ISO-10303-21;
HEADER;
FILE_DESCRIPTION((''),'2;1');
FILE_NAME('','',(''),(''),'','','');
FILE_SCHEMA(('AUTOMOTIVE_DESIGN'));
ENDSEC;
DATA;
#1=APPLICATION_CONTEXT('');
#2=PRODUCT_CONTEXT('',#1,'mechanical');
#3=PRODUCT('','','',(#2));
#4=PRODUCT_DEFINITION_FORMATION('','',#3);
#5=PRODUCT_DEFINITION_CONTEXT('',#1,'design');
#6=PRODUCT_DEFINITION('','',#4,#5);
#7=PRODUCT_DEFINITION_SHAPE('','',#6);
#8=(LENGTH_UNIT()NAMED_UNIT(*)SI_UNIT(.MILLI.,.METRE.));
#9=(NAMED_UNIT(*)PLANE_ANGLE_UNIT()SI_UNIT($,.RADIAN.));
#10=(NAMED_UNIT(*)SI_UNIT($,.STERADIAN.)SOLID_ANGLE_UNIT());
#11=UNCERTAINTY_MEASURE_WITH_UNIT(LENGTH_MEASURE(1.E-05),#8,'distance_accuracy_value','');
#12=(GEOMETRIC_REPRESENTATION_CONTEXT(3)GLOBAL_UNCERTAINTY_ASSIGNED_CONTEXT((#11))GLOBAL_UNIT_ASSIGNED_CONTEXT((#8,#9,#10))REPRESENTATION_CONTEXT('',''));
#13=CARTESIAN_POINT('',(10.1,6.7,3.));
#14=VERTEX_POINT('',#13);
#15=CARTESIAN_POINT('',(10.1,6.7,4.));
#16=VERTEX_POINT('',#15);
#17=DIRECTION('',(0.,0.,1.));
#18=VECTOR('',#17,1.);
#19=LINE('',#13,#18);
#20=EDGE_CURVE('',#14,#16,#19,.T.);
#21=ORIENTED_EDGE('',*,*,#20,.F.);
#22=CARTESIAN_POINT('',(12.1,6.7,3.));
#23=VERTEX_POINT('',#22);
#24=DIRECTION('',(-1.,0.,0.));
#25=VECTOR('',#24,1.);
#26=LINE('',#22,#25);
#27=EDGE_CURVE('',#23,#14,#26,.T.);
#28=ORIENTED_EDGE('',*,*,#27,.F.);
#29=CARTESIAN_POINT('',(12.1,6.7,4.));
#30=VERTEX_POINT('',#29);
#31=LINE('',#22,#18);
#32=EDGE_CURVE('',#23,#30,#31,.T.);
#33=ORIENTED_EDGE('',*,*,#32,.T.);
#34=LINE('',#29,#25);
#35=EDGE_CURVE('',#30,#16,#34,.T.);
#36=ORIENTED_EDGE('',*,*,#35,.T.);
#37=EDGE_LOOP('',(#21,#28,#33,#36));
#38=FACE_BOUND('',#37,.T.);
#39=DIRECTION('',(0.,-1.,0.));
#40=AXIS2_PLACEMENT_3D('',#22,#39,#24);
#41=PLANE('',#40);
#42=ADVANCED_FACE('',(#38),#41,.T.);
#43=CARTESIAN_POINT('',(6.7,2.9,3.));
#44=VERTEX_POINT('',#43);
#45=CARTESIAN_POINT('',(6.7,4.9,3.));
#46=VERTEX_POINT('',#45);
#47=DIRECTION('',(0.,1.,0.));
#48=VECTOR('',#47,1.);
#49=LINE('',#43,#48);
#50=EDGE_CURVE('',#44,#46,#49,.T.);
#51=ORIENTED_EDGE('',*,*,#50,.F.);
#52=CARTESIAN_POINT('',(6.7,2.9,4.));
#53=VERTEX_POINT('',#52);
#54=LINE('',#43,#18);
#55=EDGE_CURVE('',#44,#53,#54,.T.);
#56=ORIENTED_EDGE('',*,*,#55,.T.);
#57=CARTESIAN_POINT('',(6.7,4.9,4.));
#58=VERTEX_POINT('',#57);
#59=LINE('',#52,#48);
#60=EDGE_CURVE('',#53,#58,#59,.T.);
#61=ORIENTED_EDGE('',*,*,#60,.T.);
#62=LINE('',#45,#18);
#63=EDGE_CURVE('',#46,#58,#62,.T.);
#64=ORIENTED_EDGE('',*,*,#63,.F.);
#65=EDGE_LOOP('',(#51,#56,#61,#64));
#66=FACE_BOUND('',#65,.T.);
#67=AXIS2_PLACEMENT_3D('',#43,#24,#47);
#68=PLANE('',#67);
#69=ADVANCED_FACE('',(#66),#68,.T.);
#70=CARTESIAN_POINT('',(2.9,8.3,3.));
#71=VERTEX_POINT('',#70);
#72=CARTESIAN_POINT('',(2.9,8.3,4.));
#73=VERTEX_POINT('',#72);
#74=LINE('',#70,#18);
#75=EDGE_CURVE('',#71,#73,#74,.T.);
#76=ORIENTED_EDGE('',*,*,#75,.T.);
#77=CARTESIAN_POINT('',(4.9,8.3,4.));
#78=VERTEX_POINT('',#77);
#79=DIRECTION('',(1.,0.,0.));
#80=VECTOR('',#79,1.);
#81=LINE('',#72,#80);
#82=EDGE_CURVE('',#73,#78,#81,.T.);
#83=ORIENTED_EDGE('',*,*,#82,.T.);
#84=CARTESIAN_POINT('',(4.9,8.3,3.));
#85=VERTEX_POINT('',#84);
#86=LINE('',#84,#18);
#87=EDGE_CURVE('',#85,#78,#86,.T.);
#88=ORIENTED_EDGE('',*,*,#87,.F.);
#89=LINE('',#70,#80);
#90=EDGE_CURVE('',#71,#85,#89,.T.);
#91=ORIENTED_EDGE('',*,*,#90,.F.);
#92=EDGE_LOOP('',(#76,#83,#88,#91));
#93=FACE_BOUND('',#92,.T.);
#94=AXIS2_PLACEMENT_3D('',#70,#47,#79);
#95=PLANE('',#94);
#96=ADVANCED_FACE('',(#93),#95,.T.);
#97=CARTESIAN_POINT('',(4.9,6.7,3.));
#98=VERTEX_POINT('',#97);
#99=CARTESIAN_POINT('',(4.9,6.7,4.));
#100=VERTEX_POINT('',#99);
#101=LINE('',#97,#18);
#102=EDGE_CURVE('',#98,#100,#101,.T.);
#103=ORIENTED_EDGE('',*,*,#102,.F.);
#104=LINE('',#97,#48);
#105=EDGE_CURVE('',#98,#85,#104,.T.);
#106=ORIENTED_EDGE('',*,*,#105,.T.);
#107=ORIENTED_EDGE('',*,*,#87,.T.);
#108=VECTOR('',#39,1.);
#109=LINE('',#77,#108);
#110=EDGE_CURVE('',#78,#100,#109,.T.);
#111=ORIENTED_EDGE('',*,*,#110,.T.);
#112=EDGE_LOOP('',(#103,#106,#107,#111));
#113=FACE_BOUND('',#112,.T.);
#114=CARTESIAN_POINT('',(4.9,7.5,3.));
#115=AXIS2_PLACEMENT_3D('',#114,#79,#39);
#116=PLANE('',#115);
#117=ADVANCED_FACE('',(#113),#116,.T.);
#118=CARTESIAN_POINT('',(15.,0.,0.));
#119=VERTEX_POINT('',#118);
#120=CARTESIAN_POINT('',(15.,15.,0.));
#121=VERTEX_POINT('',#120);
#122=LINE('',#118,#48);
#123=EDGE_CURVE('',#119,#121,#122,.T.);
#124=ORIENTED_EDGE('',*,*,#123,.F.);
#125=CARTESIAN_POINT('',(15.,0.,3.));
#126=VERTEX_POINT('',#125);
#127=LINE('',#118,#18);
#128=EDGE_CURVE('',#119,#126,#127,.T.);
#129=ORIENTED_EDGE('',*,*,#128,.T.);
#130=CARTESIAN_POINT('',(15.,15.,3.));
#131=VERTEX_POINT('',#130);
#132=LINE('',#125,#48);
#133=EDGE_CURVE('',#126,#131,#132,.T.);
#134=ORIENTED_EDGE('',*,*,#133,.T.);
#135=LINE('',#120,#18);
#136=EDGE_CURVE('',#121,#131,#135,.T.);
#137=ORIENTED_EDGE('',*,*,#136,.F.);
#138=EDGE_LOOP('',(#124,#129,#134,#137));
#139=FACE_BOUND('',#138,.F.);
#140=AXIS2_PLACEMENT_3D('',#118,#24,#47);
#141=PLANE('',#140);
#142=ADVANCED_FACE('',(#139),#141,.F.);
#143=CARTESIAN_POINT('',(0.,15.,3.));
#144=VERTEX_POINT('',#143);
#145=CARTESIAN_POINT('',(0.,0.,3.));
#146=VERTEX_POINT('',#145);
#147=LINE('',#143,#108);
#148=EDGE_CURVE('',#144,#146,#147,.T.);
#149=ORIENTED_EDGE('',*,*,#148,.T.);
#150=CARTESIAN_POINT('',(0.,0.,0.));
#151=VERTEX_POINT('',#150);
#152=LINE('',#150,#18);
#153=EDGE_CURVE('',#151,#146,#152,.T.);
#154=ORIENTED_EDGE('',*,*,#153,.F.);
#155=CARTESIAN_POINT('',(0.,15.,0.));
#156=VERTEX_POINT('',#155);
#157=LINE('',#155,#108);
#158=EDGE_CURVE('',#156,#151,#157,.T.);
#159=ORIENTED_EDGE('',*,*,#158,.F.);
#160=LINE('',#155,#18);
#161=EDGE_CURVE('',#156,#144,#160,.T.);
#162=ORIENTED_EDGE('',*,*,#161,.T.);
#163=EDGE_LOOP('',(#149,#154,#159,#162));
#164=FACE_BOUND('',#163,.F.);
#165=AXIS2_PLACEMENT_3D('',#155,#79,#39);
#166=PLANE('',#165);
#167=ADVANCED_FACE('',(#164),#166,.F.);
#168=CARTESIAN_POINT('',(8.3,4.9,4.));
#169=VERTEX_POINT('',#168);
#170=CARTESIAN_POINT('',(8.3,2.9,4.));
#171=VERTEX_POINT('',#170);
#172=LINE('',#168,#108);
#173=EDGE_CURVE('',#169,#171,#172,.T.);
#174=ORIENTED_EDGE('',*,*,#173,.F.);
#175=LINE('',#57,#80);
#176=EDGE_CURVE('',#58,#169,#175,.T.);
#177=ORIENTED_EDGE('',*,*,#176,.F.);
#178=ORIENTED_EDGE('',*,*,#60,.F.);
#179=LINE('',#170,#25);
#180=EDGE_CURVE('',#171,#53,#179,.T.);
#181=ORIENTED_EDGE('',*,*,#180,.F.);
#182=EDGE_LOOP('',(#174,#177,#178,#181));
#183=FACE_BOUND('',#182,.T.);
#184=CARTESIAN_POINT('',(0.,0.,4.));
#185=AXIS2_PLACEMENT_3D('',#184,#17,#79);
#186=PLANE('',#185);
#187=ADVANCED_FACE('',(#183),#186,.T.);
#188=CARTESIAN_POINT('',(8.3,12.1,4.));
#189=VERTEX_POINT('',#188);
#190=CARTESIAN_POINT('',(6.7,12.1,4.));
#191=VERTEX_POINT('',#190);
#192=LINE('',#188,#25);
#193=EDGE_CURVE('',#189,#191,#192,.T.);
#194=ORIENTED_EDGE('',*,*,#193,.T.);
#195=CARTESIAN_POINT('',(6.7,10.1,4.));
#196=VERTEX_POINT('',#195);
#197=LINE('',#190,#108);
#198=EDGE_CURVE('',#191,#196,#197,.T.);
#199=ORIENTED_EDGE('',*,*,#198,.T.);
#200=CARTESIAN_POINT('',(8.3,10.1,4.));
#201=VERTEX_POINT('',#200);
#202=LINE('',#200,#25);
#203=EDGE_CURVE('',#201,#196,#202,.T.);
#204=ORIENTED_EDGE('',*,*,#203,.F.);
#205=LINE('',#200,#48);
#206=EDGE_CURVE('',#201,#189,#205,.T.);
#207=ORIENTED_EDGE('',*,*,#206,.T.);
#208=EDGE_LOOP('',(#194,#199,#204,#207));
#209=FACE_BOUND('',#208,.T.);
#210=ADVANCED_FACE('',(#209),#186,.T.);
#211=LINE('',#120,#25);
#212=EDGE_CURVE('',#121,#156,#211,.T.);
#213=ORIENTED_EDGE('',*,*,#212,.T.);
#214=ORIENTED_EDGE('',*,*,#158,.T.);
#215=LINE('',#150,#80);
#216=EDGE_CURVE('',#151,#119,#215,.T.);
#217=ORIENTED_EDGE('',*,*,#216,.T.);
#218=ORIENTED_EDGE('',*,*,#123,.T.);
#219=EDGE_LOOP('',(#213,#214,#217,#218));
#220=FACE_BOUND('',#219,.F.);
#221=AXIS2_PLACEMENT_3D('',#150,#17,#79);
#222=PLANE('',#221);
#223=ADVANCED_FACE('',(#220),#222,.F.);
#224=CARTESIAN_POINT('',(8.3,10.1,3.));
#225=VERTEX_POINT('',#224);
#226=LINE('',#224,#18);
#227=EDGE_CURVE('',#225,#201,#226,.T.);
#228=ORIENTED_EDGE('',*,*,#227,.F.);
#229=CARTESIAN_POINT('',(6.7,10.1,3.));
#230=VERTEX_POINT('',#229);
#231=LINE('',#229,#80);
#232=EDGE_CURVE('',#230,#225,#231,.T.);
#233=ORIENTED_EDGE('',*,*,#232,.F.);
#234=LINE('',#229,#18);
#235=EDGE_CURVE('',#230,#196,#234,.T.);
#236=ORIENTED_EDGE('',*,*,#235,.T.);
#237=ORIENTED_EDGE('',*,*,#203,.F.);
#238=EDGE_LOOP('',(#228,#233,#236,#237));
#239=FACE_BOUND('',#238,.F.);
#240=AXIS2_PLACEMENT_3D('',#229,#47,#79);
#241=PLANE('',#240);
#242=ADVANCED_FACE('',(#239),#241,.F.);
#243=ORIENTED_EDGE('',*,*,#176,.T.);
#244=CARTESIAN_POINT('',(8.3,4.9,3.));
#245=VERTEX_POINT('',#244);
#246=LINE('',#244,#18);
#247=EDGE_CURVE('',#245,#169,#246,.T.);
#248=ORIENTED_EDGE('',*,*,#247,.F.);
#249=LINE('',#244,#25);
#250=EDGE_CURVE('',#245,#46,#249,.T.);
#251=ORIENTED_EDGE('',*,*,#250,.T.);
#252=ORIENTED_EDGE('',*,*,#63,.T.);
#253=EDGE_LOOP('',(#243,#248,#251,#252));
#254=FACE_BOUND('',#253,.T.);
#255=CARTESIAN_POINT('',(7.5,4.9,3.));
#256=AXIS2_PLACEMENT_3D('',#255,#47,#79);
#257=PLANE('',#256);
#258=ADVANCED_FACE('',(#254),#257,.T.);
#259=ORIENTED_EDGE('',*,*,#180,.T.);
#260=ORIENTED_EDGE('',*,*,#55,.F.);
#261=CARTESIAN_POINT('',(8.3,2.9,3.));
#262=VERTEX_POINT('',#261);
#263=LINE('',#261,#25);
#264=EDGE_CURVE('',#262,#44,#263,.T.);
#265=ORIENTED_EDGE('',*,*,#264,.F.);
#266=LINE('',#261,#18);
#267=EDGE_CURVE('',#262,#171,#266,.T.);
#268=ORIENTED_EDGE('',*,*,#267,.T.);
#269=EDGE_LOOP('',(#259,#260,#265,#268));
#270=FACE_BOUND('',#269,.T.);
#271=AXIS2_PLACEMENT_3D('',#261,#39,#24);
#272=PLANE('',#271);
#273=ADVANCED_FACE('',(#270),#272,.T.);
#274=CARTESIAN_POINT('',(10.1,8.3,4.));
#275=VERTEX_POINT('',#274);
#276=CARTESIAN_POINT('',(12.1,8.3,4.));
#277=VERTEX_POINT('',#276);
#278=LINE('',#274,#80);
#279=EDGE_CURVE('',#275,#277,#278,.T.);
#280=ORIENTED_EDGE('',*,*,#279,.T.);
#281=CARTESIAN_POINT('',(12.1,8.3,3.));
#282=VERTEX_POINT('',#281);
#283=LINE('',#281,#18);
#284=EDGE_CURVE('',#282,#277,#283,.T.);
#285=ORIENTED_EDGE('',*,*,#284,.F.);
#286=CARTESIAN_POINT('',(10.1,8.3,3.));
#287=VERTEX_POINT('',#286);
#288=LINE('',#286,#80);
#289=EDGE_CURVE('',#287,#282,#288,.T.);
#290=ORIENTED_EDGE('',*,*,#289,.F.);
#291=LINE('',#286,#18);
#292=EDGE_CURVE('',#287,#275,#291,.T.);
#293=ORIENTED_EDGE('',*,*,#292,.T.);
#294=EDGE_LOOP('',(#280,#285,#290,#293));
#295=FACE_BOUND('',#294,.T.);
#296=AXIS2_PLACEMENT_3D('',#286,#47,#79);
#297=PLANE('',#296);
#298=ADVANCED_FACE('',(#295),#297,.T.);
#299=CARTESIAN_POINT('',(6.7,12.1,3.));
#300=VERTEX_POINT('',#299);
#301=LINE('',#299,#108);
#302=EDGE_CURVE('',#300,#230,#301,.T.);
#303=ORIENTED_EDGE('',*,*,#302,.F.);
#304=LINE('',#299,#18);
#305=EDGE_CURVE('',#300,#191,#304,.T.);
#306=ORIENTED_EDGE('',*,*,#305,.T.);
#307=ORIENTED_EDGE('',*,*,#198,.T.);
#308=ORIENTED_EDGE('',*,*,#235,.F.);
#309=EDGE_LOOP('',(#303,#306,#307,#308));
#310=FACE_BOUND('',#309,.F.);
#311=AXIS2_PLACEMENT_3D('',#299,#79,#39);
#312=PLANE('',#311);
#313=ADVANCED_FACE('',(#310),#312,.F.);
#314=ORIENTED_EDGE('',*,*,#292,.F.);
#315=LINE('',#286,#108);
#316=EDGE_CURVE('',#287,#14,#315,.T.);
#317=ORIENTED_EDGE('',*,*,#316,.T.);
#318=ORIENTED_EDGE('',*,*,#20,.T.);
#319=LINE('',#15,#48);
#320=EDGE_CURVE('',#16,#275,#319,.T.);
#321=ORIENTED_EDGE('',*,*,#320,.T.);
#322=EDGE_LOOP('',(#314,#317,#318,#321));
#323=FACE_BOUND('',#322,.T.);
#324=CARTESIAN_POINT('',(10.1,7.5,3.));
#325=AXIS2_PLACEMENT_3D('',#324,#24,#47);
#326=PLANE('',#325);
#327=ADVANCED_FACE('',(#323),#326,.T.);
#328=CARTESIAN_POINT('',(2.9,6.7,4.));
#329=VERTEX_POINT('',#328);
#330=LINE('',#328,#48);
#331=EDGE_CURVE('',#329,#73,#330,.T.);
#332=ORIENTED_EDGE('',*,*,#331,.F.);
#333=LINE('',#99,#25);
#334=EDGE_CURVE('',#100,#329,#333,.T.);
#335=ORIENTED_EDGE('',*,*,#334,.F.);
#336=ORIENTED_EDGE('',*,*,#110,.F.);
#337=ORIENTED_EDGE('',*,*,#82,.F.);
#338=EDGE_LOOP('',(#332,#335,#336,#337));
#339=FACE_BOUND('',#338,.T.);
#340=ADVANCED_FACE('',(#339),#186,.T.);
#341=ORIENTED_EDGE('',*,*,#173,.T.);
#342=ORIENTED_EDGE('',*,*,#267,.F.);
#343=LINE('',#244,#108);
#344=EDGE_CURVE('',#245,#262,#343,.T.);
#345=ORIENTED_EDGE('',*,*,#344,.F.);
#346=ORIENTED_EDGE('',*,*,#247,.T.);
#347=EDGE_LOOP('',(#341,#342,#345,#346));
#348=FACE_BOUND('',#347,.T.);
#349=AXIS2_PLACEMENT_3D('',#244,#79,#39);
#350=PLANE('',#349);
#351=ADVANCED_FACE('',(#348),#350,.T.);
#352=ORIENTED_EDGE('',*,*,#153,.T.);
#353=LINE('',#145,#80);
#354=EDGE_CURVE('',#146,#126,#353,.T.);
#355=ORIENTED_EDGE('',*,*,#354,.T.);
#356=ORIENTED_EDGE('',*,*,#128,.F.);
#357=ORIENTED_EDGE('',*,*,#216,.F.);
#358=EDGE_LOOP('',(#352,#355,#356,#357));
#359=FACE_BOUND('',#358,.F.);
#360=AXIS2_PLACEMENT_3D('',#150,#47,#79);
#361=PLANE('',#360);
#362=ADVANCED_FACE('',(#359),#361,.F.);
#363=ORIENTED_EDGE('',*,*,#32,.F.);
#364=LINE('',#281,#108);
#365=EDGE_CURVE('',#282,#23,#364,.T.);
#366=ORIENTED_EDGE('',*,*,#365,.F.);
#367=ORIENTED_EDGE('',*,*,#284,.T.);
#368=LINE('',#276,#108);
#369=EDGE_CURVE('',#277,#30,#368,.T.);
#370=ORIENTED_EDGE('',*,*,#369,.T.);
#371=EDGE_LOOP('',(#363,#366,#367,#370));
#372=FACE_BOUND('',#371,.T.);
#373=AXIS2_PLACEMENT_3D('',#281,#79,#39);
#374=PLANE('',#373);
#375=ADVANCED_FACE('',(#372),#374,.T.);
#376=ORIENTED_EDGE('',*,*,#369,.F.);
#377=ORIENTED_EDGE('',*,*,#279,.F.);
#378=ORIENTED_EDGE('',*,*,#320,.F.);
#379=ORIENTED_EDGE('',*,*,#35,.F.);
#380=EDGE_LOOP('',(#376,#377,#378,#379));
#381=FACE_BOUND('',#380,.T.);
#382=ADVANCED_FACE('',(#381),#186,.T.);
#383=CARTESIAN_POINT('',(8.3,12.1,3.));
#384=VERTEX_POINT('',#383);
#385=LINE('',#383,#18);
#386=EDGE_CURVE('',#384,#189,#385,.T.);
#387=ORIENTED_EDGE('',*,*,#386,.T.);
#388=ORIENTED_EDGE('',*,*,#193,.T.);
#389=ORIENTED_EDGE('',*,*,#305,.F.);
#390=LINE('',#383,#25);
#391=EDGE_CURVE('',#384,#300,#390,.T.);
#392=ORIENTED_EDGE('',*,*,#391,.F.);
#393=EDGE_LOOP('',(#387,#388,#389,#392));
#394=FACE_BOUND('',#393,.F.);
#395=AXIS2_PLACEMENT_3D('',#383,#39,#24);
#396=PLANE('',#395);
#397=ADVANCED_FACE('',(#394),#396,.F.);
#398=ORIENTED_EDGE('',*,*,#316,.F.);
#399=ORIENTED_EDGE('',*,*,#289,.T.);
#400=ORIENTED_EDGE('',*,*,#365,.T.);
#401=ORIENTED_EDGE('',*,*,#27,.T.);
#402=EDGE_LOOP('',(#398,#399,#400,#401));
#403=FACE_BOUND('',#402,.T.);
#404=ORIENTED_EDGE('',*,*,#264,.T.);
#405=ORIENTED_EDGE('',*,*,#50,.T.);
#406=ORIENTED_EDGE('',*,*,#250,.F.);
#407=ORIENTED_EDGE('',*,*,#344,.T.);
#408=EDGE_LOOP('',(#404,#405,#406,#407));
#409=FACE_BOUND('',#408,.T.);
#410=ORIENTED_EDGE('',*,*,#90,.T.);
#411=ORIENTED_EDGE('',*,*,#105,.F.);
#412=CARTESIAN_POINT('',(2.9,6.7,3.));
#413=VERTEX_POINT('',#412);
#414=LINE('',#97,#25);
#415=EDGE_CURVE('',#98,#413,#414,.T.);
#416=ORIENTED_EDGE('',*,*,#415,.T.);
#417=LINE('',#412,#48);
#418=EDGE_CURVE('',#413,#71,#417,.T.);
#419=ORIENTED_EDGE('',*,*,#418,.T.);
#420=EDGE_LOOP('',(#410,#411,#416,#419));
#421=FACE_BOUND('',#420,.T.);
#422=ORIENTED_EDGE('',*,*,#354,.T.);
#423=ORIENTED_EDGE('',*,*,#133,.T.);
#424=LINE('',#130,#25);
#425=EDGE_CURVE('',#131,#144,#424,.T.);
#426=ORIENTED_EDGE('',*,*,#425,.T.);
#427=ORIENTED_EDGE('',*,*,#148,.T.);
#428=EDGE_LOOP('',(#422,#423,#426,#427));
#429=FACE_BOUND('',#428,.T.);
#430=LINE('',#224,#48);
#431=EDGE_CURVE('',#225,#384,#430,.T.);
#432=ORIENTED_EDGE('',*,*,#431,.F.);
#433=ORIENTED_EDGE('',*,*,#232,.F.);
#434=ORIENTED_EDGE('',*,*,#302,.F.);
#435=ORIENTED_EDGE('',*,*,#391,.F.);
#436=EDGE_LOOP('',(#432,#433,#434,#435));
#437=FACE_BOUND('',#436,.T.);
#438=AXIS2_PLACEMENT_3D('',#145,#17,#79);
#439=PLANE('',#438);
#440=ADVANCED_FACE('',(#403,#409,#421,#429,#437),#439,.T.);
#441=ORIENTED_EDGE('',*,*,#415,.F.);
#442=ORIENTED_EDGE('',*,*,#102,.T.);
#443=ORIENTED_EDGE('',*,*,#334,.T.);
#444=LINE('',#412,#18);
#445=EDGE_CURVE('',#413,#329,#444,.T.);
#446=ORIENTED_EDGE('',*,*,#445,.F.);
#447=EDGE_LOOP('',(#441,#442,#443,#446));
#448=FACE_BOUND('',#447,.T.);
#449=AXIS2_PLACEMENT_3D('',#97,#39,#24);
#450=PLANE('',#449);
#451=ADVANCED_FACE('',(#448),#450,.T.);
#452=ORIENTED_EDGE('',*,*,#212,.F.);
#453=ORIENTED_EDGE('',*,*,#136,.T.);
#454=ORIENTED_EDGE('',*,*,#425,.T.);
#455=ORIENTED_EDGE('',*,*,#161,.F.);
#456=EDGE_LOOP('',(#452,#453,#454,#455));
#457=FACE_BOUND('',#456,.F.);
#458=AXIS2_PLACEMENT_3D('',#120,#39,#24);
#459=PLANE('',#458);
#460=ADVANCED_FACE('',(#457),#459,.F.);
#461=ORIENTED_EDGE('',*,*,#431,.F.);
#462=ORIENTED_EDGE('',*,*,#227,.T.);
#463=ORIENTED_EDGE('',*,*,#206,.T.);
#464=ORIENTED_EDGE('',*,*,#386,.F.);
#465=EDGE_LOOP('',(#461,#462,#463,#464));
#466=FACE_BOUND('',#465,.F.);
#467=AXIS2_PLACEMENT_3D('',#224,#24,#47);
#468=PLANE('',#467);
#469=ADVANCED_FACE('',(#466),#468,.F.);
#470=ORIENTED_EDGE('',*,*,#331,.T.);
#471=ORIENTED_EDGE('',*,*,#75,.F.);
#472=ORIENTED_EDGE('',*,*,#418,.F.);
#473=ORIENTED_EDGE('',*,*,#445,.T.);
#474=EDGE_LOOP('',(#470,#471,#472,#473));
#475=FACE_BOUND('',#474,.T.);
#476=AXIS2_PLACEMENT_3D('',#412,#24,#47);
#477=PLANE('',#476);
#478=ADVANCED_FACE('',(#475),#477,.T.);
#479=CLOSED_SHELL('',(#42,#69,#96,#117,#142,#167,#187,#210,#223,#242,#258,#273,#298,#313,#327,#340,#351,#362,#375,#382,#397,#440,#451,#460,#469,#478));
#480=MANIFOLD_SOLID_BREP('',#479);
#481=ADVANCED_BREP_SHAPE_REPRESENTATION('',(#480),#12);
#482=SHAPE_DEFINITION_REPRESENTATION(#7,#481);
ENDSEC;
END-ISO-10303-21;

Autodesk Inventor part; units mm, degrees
ref_plane "YZ Plane" through (0, 0, 0) normal (1, 0, 0) x (0, 1, 0)
ref_plane "XZ Plane" through (0, 0, 0) normal (0, 1, 0) x (-1, 0, 0)
ref_plane "XY Plane" through (0, 0, 0) normal (0, 0, 1) x (1, 0, 0)
sketch "Sketch1" plane through (0, 0, 0) normal (0, 0, 1) x (1, 0, 0)
  line L0 (0, 0) -> (15, 0)
  line L1 (15, 0) -> (15, 15)
  line L2 (15, 15) -> (0, 15)
  line L3 (0, 15) -> (0, 0)
  dimension "d0" = 15
  dimension "d1" = 15
extrude "Extrusion1" add sketch "Sketch1" along normal blind 3
sketch "Sketch2" plane through (0, 0, 3) normal (0, 0, 1) x (1, 0, 0)
  line L0 (0, 0) -> (15, 0) projected
  line L1 (15, 0) -> (15, 15) projected
  line L2 (0, 0) -> (15, 15)
  line L3 (15, 15) -> (0, 15) projected
  line L4 (0, 15) -> (15, 0)
  line L5 (7.5, 7.5) -> (10.1, 7.5)
  line L6 (10.1, 7.5) -> (10.1, 8.3)
  line L7 (10.1, 8.3) -> (12.1, 8.3)
  line L8 (12.1, 8.3) -> (12.1, 6.7)
  line L9 (12.1, 6.7) -> (10.1, 6.7)
  line L10 (10.1, 6.7) -> (10.1, 7.5)
  line L11 (7.5, 7.5) -> (7.5, 4.9)
  line L12 (7.5, 4.9) -> (8.3, 4.9)
  line L13 (8.3, 4.9) -> (8.3, 2.9)
  line L14 (8.3, 2.9) -> (6.7, 2.9)
  line L15 (6.7, 2.9) -> (6.7, 4.9)
  line L16 (6.7, 4.9) -> (7.5, 4.9)
  line L17 (7.5, 7.5) -> (4.9, 7.5)
  line L18 (4.9, 7.5) -> (4.9, 6.7)
  line L19 (4.9, 6.7) -> (2.9, 6.7)
  line L20 (2.9, 6.7) -> (2.9, 8.3)
  line L21 (2.9, 8.3) -> (4.9, 8.3)
  line L22 (4.9, 8.3) -> (4.9, 7.5)
  line L23 (7.5, 7.5) -> (7.5, 10.1)
  line L24 (7.5, 10.1) -> (8.3, 10.1)
  line L25 (8.3, 10.1) -> (8.3, 12.1)
  line L26 (8.3, 12.1) -> (6.7, 12.1)
  line L27 (6.7, 12.1) -> (6.7, 10.1)
  line L28 (6.7, 10.1) -> (7.5, 10.1)
  dimension "d4" = 2.6
  dimension "d5" = 0.8
  dimension "d6" = 2
  dimension "d7" = 1.6
  dimension "d8" = 2.6
  dimension "d9" = 0.8
  dimension "d10" = 2
  dimension "d11" = 1.6
  dimension "d12" = 2.6
  dimension "d13" = 2
  dimension "d14" = 2.6
  dimension "d15" = 2
extrude "Extrusion2" add sketch "Sketch2" along normal blind 1 contours L12 L13 L14 L15 L16 | L18 L19 L20 L21 L22 | L6 L7 L8 L9 L10 | L28 L27 L26 L25 L24
properties part number "led-bracket"
